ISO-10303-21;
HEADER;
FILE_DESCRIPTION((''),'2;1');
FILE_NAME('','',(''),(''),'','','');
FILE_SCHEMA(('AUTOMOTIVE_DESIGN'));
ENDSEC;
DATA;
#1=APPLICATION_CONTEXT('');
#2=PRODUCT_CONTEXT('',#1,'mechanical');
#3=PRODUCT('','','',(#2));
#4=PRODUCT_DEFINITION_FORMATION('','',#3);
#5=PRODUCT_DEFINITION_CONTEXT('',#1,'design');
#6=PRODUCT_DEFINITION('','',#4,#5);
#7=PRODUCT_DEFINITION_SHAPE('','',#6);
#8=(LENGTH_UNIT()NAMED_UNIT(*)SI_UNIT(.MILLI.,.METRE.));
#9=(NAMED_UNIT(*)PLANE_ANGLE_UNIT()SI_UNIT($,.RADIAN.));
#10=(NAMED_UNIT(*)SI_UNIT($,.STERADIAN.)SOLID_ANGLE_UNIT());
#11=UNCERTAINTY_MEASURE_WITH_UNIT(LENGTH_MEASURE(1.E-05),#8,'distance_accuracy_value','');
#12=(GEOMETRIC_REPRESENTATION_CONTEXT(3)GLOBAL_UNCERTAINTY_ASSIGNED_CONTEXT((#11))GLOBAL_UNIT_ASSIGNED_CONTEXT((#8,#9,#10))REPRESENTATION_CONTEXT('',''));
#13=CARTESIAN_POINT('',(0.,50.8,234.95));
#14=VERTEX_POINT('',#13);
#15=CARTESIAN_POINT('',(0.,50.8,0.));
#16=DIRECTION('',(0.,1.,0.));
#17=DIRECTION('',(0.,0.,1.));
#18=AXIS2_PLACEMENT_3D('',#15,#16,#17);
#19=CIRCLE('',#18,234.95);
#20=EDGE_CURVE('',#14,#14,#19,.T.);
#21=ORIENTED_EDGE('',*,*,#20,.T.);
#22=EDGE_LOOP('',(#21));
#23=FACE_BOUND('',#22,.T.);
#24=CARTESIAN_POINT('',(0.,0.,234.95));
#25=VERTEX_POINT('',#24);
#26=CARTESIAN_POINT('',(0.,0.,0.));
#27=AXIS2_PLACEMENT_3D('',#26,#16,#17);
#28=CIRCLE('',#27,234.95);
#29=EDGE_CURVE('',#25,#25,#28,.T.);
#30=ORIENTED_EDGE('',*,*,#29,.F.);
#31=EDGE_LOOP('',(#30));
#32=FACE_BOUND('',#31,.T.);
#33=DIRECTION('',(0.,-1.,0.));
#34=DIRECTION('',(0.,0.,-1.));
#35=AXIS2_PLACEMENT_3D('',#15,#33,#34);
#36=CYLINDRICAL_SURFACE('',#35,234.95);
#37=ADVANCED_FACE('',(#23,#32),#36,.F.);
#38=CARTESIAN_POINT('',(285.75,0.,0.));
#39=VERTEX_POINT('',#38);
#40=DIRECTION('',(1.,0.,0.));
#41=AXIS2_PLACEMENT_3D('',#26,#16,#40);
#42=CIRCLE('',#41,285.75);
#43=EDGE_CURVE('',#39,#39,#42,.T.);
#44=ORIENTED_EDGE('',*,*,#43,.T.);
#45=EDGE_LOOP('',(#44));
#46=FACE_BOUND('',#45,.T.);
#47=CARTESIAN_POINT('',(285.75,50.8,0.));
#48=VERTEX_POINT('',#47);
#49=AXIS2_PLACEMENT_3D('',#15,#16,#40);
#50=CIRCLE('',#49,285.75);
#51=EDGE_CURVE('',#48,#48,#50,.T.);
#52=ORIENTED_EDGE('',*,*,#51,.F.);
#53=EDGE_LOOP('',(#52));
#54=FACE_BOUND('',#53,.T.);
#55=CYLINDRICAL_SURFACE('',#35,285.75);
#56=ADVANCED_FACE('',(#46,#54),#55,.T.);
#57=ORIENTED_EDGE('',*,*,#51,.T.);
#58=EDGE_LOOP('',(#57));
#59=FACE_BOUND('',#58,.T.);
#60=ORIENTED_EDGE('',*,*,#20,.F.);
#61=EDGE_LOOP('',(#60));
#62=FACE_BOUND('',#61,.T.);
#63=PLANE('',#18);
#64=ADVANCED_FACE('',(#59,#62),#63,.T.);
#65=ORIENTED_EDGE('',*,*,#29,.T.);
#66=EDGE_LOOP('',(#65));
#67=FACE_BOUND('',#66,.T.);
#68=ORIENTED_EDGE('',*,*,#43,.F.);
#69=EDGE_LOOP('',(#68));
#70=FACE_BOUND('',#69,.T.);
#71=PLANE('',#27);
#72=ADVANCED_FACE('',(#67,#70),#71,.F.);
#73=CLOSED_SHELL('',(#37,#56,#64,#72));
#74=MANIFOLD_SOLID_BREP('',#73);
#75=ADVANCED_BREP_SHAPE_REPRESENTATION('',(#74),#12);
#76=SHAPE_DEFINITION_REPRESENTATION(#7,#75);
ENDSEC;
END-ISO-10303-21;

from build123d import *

# Parameters (mm, degrees)
SKETCH_1_R      = 285.75
SKETCH_1_R_2    = 234.95
EXTRUDE_1_DEPTH = 50.8


with BuildPart() as part:
    # 草圖1 → 伸長-薄件1 (new body)
    with BuildSketch(Plane(origin=(0, 0, 0), x_dir=(1, 0, 0), z_dir=(0, 1, 0))):
        Circle(SKETCH_1_R)
        Circle(SKETCH_1_R_2, mode=Mode.SUBTRACT)
    extrude(amount=EXTRUDE_1_DEPTH)


solid = part.part
